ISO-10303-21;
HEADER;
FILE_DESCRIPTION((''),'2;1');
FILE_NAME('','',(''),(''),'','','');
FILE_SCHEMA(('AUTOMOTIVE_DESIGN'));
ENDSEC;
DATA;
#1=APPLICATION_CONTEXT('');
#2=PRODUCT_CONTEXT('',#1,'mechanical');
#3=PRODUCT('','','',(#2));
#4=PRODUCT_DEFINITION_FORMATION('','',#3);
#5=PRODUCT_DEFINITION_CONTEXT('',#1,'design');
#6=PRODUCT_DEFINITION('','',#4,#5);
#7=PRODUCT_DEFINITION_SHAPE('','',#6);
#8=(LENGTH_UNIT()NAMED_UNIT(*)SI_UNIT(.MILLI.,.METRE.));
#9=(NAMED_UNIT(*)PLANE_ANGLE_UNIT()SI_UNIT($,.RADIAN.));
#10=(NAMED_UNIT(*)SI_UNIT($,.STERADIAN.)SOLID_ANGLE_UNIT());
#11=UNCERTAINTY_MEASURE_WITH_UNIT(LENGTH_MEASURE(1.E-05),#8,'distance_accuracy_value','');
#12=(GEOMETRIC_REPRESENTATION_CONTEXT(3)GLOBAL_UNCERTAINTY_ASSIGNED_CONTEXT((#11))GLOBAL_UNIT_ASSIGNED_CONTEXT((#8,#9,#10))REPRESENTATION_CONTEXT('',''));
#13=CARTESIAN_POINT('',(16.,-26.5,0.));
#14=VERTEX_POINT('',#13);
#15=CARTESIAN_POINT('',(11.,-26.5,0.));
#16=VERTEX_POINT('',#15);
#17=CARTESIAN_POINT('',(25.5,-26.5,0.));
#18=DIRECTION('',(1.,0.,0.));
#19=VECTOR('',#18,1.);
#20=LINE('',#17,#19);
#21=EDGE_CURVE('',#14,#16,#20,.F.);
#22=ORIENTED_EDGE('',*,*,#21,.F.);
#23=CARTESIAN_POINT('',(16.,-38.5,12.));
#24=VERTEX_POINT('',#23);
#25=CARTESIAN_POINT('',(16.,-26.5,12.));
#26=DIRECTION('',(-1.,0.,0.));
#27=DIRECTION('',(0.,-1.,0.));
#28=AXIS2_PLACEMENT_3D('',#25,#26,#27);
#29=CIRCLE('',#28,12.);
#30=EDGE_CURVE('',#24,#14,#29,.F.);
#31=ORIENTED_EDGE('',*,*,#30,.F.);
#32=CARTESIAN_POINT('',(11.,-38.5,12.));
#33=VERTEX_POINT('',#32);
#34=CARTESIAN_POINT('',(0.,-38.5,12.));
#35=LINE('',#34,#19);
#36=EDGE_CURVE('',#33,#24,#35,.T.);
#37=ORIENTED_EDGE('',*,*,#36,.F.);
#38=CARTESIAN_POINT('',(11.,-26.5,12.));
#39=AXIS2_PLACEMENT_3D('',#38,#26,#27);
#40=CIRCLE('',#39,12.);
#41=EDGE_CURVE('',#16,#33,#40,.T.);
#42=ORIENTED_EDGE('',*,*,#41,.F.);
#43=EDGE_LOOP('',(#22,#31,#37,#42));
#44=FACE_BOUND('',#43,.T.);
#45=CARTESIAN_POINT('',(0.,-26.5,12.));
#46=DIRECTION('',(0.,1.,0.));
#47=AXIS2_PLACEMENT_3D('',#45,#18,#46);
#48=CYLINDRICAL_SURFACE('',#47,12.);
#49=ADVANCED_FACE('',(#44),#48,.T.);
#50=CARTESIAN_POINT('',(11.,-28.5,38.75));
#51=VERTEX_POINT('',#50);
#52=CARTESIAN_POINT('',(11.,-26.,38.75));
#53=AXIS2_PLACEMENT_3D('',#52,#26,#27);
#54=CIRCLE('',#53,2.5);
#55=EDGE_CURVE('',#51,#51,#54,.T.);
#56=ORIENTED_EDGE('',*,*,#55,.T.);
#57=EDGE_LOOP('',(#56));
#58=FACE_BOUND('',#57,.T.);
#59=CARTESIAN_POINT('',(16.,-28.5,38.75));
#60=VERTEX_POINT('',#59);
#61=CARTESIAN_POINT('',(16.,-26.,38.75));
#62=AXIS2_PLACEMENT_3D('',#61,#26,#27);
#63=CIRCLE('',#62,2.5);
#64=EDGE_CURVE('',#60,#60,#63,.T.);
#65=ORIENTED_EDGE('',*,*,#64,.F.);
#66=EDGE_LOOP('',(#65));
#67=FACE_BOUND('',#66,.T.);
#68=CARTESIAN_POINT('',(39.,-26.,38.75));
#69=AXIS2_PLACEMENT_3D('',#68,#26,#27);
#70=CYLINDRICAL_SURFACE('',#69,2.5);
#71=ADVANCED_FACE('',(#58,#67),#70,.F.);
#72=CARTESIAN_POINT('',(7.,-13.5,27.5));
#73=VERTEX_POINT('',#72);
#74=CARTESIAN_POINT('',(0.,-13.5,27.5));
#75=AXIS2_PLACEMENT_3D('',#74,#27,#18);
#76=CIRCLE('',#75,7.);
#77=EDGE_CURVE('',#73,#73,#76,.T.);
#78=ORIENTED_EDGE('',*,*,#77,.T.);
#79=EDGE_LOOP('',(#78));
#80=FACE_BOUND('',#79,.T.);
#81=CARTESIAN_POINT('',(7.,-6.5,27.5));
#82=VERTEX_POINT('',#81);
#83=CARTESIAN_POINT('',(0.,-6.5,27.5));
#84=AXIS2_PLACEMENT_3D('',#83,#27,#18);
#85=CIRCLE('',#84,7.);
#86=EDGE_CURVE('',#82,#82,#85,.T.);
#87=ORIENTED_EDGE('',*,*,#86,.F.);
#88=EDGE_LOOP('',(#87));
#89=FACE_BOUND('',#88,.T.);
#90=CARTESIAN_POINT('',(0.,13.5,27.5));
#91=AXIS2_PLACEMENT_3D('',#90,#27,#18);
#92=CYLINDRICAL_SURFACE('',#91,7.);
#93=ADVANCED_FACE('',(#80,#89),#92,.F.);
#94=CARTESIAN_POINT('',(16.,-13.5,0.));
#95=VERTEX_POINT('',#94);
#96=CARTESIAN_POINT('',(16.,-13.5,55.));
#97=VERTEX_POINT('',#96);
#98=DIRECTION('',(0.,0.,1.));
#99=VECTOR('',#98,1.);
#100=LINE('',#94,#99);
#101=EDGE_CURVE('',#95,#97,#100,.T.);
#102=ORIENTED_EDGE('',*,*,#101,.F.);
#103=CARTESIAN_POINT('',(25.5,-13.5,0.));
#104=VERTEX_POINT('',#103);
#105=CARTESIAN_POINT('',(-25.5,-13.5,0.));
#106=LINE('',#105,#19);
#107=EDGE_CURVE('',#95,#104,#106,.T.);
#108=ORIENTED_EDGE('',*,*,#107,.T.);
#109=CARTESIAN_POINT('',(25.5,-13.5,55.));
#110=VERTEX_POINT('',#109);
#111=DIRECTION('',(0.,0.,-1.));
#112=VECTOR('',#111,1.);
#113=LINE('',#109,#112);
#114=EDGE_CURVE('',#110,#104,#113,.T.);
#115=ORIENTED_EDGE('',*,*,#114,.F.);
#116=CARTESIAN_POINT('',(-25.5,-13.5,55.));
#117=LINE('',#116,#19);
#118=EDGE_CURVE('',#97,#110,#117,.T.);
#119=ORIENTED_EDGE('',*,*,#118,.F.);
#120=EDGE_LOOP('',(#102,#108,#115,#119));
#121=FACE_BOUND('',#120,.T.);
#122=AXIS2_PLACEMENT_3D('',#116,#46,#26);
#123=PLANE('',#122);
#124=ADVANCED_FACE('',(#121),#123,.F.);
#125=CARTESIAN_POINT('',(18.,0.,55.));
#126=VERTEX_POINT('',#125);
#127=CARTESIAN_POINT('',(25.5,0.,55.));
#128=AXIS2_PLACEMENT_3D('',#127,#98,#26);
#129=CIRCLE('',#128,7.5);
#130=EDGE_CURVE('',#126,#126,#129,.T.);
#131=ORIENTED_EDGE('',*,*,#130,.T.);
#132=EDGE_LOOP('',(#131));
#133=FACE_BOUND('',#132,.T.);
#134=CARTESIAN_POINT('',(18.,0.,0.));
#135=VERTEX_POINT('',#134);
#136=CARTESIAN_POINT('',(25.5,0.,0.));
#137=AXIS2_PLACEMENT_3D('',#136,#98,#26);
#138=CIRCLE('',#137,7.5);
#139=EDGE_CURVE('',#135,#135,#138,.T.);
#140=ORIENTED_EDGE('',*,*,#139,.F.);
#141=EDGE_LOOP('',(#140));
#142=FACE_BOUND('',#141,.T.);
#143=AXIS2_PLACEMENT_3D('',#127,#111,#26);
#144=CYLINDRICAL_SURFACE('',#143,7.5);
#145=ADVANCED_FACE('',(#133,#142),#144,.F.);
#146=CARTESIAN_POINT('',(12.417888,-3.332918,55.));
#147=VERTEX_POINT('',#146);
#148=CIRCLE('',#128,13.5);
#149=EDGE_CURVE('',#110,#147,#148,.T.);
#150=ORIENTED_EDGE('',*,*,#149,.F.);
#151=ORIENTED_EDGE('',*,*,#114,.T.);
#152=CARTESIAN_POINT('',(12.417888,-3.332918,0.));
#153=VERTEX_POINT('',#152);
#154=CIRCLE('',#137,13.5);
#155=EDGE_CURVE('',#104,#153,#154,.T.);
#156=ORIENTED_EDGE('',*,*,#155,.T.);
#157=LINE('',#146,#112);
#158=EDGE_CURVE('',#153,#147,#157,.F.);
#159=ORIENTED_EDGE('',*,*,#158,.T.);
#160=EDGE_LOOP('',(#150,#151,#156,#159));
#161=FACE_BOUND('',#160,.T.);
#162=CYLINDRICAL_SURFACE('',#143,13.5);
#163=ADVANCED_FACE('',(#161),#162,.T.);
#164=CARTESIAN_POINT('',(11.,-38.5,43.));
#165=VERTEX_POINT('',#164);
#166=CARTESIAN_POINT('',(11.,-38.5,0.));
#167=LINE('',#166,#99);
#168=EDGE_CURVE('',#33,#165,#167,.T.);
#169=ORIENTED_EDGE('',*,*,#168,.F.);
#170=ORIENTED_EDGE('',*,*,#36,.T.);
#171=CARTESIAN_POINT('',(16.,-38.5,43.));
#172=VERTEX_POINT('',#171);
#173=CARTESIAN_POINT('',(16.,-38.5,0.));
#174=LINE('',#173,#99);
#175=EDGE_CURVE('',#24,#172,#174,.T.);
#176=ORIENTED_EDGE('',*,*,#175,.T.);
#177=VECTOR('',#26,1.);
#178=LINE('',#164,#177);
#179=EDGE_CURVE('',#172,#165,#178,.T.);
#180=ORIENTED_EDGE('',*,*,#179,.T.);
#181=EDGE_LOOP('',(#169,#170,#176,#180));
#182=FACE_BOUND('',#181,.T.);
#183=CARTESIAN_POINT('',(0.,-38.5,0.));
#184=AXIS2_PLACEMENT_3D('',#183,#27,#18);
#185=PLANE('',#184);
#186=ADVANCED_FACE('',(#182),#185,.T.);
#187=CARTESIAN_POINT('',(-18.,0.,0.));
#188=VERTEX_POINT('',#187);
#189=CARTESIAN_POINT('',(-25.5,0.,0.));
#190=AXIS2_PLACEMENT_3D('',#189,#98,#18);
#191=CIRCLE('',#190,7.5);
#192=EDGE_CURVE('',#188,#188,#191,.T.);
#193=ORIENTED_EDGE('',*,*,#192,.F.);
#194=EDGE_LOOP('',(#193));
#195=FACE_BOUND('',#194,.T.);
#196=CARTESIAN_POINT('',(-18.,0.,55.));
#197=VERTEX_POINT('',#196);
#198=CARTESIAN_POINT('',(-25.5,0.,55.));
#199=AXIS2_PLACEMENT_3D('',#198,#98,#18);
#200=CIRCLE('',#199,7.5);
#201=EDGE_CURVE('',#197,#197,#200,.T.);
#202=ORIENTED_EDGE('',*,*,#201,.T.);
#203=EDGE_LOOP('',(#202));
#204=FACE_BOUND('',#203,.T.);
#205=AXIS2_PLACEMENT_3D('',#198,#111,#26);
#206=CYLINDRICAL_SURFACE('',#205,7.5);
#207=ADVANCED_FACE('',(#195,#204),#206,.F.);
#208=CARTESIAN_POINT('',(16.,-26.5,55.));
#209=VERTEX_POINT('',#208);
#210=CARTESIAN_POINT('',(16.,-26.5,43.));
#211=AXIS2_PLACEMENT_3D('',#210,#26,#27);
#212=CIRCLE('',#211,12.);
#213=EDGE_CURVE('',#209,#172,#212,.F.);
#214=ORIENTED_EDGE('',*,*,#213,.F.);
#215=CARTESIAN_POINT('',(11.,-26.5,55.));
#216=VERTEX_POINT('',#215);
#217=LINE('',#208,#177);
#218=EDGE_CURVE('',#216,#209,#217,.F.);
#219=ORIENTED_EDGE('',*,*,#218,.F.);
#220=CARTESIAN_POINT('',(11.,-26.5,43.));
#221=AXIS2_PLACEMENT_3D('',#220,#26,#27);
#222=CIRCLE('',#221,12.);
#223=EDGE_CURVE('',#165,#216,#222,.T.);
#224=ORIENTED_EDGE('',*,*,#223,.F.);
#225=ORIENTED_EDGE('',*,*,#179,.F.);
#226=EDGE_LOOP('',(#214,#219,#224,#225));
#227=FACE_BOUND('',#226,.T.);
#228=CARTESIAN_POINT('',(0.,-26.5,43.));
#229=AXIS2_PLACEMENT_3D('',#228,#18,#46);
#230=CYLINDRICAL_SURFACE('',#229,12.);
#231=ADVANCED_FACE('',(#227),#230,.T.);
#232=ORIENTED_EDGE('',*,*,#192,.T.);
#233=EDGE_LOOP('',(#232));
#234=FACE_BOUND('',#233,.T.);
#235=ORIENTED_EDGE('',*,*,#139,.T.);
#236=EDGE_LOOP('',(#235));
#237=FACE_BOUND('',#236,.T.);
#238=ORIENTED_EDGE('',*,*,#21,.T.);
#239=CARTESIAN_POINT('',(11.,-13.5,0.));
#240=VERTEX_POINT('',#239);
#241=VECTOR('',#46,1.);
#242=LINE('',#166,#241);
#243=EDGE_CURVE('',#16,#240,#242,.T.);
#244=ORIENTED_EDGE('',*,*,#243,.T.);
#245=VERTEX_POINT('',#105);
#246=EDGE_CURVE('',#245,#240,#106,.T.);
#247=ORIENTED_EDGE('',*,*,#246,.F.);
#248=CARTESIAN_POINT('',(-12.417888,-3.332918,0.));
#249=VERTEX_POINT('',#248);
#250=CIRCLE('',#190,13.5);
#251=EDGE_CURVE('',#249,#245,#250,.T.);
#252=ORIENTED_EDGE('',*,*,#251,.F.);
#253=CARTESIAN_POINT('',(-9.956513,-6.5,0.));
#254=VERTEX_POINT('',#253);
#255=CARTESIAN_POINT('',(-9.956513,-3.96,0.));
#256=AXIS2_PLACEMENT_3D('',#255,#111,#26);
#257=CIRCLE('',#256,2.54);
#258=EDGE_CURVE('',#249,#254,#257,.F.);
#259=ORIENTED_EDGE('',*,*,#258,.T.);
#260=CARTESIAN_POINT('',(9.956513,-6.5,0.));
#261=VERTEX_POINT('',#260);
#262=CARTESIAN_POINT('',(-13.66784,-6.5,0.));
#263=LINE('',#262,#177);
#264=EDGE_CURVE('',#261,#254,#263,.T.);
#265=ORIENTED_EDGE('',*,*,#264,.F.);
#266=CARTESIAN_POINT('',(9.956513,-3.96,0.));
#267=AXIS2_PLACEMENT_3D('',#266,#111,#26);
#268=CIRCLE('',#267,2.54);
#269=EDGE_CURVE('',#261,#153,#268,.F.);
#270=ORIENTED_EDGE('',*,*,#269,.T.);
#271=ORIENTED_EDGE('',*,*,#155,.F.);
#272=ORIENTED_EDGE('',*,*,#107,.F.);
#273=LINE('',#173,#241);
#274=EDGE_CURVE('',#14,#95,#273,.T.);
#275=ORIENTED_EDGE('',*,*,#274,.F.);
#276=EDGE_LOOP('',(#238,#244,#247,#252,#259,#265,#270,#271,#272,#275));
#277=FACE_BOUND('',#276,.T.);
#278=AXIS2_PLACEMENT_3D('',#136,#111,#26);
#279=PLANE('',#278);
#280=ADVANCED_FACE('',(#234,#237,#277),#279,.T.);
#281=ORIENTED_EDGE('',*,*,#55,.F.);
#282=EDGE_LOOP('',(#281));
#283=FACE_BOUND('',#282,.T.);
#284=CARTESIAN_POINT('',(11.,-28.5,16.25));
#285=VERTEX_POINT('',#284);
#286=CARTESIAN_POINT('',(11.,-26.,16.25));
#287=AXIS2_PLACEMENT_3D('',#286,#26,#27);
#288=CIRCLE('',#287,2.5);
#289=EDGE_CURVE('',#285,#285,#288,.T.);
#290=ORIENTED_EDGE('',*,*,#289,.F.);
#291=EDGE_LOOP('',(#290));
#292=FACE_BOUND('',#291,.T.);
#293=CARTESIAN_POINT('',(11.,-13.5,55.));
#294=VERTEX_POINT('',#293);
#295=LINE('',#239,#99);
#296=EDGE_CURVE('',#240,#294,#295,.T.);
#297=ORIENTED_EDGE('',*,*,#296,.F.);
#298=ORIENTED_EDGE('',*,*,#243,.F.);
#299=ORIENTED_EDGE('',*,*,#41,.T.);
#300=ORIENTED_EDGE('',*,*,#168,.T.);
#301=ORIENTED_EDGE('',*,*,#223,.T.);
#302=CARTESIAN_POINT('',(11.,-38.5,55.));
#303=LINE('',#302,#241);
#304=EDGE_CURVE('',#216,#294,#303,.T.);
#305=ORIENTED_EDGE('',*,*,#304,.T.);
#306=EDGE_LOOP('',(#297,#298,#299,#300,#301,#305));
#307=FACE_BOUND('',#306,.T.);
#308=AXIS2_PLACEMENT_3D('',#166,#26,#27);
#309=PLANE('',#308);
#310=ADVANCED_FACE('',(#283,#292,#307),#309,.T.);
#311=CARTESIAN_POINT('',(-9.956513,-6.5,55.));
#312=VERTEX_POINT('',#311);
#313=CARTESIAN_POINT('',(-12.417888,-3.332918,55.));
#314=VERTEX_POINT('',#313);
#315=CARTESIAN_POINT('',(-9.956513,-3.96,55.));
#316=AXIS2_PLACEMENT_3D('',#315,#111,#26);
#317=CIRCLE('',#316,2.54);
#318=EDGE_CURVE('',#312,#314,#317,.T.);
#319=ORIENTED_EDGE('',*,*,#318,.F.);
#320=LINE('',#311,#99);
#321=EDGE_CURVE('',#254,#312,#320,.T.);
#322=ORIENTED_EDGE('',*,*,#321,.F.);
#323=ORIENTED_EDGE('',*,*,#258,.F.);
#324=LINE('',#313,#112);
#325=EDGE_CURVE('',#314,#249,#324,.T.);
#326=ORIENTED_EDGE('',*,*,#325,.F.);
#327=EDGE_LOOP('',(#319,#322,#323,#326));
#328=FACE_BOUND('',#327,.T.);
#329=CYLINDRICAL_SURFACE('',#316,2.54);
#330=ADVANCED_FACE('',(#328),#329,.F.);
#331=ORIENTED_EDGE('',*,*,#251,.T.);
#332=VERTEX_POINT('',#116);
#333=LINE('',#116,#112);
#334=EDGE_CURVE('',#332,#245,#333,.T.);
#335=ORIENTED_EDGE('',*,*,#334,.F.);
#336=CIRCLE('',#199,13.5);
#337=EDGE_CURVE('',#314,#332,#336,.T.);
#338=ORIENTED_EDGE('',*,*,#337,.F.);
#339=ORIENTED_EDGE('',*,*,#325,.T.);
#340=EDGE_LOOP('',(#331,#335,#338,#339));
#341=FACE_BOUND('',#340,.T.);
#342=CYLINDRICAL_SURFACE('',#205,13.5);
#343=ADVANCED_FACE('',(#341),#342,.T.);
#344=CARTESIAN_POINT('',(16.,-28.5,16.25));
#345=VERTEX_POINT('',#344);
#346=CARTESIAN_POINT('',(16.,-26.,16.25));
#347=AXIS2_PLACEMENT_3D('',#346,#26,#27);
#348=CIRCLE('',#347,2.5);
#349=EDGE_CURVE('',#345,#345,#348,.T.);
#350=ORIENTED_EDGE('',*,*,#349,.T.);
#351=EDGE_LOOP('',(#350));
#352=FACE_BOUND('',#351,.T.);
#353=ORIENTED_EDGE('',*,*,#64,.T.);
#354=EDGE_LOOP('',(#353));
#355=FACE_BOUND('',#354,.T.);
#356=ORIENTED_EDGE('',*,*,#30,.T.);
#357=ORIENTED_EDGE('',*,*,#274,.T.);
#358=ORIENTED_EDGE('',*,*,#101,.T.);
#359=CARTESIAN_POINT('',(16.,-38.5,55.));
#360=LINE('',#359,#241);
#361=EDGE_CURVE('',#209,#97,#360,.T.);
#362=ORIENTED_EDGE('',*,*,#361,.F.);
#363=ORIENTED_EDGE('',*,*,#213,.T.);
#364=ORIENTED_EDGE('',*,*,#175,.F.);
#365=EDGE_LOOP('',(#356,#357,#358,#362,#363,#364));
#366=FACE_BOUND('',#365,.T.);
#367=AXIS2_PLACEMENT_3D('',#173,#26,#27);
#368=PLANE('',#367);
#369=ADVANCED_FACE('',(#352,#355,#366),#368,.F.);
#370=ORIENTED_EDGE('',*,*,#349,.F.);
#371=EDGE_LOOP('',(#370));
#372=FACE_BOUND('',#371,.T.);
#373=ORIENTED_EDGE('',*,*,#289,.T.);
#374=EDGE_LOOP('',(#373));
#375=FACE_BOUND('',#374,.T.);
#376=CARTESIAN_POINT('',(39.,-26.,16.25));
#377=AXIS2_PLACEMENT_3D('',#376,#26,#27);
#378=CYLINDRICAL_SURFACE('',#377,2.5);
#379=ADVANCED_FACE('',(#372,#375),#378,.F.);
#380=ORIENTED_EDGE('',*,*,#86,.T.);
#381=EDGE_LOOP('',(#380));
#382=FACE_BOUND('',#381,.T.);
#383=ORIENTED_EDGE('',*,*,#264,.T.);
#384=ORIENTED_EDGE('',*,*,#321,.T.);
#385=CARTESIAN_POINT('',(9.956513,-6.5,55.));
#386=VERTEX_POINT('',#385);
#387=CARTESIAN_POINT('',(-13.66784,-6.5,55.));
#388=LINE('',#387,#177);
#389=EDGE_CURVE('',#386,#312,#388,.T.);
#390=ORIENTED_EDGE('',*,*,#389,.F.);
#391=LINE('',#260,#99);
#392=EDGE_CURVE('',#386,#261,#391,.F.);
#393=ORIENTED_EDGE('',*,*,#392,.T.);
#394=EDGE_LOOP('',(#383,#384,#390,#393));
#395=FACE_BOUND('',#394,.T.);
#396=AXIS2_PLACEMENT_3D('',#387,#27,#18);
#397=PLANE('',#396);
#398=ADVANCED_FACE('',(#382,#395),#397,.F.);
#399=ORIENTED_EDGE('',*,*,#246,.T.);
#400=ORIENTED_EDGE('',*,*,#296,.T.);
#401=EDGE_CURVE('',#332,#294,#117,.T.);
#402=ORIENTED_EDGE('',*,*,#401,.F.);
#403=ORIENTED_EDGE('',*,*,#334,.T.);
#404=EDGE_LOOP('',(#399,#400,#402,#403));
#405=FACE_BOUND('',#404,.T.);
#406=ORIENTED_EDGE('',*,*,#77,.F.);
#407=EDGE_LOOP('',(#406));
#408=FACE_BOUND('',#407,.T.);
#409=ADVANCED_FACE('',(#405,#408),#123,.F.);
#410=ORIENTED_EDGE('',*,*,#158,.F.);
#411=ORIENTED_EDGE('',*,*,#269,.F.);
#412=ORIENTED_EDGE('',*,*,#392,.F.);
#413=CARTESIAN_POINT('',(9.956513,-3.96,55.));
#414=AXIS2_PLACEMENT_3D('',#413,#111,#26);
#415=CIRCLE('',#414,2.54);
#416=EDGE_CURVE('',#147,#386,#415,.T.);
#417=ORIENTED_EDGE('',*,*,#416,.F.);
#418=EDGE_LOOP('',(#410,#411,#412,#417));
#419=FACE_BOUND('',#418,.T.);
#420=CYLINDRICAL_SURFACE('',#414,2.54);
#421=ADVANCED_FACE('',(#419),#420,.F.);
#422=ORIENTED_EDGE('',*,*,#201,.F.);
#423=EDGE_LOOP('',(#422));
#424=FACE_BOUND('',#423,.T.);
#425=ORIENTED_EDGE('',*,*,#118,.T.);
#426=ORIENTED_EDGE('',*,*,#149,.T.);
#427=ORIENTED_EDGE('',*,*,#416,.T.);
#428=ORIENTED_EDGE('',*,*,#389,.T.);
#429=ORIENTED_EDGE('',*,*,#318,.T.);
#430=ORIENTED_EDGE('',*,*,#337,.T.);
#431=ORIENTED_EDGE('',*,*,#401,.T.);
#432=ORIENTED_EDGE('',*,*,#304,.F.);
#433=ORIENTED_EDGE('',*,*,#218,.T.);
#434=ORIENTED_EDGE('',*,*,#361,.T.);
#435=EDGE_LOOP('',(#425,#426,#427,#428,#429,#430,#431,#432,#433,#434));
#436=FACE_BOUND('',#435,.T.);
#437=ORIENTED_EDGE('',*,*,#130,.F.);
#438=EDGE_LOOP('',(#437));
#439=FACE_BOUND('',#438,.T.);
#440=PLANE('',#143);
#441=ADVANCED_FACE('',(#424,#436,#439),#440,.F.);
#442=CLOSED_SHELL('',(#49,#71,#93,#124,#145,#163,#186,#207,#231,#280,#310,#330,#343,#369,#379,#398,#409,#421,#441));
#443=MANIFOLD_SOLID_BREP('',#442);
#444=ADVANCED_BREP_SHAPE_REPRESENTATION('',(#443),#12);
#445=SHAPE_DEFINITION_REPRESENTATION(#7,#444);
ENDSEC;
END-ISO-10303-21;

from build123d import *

# Parameters (mm, degrees)
SKETCH1_R           = 7.5
BOSS_EXTRUDE1_DEPTH = 55
FILLET1_R           = 2.54
BOSS_EXTRUDE2_DEPTH = 25
SKETCH4_R           = 7
CUT_EXTRUDE1_DEPTH  = 73.629195232
FILLET2_R           = 12
SKETCH5_R           = 2.5
CUT_EXTRUDE2_DEPTH  = 87.734978206


with BuildPart() as part:
    # Sketch1 → Boss-Extrude1 (new body)
    with BuildSketch(Plane.XY):
        with BuildLine():
            Line((-13.667840434, -6.5), (13.667840434, -6.5))
            ThreePointArc((13.667840434, -6.5), (32.373863542, 11.618950039), (25.5, -13.5))
            Line((25.5, -13.5), (-25.5, -13.5))
            ThreePointArc((-25.5, -13.5), (-32.373863542, 11.618950039), (-13.667840434, -6.5))
        make_face()
        with Locations((-25.5, 0)):
            Circle(SKETCH1_R, mode=Mode.SUBTRACT)
        with Locations(Location((25.5, 0, 0), (0, 0, 180))):
            Circle(SKETCH1_R, mode=Mode.SUBTRACT)
    extrude(amount=BOSS_EXTRUDE1_DEPTH)

    # Fillet1
    fillet1_edges = [part.edges().sort_by_distance(p)[0] for p in [
        (-13.667840434, -6.5, 27.5),
        (13.667840434, -6.5, 27.5),
    ]]
    fillet(fillet1_edges, radius=FILLET1_R)

    # Sketch2 → Boss-Extrude2 (add)
    with BuildSketch(Plane.XZ.offset(13.5)):
        Polygon((11, 15.637254902), (16, 10.245098039), (16, 55), (11, 55), align=None)
        Polygon((16, 0), (16, 10.245098039), (11, 15.637254902), (11, 0), align=None)
    extrude(amount=BOSS_EXTRUDE2_DEPTH)

    # Sketch4 → Cut-Extrude1 (cut, through all)
    with BuildSketch(Plane.XZ.offset(13.5)):
        with Locations((0, 27.5)):
            Circle(SKETCH4_R)
    extrude(amount=-CUT_EXTRUDE1_DEPTH, mode=Mode.SUBTRACT)

    # Fillet2
    fillet2_edges = [part.edges().sort_by_distance(p)[0] for p in [
        (13.5, -38.5, 0),
        (13.5, -38.5, 55),
    ]]
    fillet(fillet2_edges, radius=FILLET2_R)

    # Sketch5 → Cut-Extrude2 (cut, through all)
    with BuildSketch(Plane(origin=(11, 11.194119758, 4.468317801), x_dir=(0, 0, 1), z_dir=(-1, 0, 0))):
        with Locations(Location((11.781682199, -37.194119758, 0), (0, 0, 270))):
            Circle(SKETCH5_R)
        with Locations(Location((34.281682199, -37.194119758, 0), (0, 0, 270))):
            Circle(SKETCH5_R)
    extrude(amount=-CUT_EXTRUDE2_DEPTH, mode=Mode.SUBTRACT)


solid = part.part
